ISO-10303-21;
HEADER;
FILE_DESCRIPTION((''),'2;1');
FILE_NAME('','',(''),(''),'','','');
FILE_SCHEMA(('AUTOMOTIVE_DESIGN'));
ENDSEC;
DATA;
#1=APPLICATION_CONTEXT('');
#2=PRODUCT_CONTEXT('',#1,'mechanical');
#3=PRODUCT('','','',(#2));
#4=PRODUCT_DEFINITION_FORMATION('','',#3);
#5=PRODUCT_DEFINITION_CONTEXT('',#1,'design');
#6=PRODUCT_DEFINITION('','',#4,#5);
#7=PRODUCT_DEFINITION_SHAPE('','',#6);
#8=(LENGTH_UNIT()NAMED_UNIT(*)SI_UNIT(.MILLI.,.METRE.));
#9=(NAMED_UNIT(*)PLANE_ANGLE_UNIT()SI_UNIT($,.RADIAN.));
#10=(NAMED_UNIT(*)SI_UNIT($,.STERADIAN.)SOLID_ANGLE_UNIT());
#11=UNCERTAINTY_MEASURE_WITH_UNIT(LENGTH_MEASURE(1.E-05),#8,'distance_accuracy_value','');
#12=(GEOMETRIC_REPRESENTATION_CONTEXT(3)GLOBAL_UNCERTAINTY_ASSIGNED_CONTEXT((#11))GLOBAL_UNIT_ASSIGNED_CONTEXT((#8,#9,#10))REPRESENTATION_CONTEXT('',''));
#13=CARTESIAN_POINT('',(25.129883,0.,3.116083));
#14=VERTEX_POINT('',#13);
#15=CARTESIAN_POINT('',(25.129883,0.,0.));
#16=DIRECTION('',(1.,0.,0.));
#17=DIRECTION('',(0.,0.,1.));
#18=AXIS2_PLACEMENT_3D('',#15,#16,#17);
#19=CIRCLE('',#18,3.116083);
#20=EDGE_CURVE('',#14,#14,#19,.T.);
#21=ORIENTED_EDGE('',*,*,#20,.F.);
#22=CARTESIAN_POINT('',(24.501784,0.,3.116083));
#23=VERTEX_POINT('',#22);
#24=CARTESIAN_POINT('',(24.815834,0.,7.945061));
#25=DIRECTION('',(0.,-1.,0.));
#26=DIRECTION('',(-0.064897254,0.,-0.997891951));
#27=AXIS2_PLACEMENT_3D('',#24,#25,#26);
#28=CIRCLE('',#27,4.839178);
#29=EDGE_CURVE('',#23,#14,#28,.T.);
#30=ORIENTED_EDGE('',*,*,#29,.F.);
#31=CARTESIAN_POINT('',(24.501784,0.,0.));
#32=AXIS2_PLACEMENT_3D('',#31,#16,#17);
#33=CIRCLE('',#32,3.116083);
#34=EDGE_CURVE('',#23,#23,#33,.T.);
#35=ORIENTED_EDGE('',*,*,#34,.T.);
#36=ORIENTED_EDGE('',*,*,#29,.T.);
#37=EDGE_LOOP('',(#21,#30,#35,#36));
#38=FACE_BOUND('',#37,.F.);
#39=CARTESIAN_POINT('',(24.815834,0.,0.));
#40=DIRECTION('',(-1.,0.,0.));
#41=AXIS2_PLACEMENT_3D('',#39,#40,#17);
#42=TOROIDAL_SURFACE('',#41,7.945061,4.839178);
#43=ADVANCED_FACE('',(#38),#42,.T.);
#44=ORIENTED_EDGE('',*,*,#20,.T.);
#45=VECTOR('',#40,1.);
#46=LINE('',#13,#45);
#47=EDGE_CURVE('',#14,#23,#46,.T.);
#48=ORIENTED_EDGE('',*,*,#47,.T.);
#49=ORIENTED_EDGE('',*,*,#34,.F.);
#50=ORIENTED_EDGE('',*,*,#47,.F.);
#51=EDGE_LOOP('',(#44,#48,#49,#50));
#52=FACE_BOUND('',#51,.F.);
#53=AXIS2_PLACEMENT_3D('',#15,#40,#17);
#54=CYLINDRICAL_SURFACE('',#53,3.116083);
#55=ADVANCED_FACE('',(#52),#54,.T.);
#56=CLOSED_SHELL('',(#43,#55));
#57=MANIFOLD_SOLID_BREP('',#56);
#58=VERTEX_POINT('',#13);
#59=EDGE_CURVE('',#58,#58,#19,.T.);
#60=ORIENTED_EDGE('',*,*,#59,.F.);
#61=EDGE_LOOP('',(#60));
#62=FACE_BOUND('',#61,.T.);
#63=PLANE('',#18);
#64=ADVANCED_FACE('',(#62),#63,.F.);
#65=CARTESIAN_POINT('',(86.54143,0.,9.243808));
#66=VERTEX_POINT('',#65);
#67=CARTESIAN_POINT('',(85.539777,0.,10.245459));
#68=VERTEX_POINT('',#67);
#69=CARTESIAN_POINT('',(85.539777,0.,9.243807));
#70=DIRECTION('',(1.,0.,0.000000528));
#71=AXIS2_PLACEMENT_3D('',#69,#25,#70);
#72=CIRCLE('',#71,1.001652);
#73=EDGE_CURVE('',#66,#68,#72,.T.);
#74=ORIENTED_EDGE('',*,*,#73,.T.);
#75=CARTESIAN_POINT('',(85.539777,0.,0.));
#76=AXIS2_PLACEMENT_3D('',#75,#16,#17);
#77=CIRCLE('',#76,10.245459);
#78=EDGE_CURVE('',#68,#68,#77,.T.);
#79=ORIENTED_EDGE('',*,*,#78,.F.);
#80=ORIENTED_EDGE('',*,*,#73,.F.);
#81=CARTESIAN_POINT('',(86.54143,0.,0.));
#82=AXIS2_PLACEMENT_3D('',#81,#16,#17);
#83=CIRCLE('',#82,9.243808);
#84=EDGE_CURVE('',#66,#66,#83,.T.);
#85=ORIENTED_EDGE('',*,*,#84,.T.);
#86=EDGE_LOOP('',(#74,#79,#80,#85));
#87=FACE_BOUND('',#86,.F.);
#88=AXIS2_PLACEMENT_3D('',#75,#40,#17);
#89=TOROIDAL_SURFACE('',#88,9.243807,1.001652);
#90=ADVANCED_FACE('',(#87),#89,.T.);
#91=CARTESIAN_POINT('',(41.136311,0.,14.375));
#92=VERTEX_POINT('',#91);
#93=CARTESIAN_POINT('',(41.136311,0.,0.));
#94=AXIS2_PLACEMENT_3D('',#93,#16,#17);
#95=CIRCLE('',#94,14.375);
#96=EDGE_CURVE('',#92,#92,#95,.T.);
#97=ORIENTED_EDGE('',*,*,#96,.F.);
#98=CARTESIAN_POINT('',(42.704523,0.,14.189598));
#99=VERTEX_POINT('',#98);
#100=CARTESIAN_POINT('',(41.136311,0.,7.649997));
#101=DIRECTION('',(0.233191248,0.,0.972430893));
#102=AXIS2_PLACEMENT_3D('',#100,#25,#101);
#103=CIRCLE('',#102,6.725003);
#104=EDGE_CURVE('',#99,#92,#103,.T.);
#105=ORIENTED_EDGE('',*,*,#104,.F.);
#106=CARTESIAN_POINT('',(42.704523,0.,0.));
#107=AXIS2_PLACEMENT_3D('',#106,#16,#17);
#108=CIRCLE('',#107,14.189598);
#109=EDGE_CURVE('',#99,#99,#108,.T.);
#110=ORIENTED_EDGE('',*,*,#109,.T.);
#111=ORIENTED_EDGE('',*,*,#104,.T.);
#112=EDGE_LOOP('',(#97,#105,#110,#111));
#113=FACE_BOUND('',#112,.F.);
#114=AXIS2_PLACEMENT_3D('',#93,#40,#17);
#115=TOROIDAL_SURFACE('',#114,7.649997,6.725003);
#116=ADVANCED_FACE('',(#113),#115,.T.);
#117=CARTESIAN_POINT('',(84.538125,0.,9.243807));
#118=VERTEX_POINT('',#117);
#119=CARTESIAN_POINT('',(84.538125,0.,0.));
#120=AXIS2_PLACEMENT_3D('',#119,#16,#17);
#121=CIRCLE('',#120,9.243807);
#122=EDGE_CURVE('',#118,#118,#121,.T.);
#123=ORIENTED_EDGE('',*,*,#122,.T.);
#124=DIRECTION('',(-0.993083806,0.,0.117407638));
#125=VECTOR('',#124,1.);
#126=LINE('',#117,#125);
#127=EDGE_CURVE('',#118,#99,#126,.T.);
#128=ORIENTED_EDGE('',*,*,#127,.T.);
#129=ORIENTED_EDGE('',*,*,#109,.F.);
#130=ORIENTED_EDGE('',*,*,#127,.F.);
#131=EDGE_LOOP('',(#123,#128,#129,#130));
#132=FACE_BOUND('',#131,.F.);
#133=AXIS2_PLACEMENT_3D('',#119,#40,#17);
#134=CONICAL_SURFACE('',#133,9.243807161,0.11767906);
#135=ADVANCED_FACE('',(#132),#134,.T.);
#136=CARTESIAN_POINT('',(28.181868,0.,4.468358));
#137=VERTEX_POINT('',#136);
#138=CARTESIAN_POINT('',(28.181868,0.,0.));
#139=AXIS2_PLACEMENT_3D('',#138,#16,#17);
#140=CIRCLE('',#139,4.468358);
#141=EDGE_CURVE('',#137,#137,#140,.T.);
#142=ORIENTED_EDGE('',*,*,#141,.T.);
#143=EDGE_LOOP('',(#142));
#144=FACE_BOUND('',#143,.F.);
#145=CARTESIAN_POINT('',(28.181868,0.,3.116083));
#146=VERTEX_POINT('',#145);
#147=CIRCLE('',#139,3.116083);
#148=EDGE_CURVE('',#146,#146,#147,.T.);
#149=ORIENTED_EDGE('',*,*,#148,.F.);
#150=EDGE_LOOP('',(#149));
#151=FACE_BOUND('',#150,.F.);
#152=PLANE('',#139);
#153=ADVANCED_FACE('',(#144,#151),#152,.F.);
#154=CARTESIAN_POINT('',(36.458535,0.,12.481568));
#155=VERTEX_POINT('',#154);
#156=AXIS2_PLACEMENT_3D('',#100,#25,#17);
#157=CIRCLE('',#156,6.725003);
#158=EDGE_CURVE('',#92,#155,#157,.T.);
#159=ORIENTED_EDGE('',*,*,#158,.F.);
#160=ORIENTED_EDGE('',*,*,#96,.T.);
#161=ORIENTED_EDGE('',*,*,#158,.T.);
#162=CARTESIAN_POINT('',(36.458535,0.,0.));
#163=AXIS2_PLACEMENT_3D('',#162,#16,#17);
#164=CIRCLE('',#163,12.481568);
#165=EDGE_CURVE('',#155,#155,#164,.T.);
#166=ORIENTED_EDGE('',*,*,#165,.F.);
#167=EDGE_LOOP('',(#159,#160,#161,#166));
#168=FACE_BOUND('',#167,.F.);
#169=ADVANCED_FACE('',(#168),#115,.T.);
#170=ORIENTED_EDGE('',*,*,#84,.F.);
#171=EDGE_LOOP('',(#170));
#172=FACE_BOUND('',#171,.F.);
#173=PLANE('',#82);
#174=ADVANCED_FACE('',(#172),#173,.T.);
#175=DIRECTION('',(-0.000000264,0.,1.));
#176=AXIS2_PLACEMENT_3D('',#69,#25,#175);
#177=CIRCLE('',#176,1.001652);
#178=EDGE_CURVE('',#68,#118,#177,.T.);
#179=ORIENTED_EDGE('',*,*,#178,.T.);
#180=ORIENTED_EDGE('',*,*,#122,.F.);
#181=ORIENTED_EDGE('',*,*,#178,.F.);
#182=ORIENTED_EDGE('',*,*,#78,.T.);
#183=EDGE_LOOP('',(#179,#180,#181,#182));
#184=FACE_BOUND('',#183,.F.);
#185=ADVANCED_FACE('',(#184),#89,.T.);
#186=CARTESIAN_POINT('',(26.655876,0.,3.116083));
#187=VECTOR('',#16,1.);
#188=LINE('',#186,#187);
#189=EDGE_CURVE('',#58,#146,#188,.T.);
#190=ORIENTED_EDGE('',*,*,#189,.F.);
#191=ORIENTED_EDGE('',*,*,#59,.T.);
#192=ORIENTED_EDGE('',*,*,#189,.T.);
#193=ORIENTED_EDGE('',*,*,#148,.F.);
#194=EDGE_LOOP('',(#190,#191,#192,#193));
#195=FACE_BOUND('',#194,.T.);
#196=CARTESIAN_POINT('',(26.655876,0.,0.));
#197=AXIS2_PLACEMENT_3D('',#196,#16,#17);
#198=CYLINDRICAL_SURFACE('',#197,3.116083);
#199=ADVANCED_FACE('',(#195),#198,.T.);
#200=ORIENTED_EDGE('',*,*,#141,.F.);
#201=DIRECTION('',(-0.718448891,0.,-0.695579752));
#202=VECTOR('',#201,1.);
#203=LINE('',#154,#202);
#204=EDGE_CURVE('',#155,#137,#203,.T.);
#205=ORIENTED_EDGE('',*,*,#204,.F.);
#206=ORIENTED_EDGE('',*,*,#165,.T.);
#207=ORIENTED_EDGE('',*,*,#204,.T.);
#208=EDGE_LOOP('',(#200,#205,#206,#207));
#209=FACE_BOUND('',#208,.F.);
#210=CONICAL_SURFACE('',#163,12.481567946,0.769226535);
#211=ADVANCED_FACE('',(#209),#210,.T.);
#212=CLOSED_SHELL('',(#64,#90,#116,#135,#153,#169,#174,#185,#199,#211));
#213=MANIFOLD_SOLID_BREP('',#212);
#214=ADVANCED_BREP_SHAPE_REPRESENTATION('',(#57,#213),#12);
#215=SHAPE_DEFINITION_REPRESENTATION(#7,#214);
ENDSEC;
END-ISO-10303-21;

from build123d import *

# Parameters (mm, degrees)
F0_W = 3.0519851859
F0_H = 3.1160832868


with BuildPart() as f1:
    # F0 (on Front) → F1 (revolve)
    with BuildSketch(Plane.XZ):
        with Locations((26.6558756613, 1.5580416434)):
            Rectangle(F0_W, F0_H)
        Polygon((28.1818682542, 4.468358137), (28.1818682542, 3.1160832868), (28.1818682542, 0), (36.4585348536, 0), (36.4585348536, 12.4815679463), align=None)
        with BuildLine():
            ThreePointArc((41.1363107719, 14.375), (38.6130850347, 13.8836955193), (36.4585348536, 12.4815679463))
            Line((36.4585348536, 12.4815679463), (36.4585348536, 0))
            Line((36.4585348536, 0), (41.1363107719, 0))
            Line((41.1363107719, 0), (41.1363107719, 14.375))
        make_face()
        with BuildLine():
            ThreePointArc((42.7045226152, 14.1895976732), (41.9258774898, 14.3284885773), (41.1363107719, 14.375))
            Line((41.1363107719, 14.375), (41.1363107719, 0))
            Line((41.1363107719, 0), (42.7045226152, 0))
            Line((42.7045226152, 0), (42.7045226152, 14.1895976732))
        make_face()
        Polygon((84.5381251835, 9.2438071611), (42.7045226152, 14.1895976732), (42.7045226152, 0), (84.5381251835, 0), align=None)
        with BuildLine():
            ThreePointArc((85.5397771354, 10.2454593775), (84.8315022318, 9.9520821423), (84.5381251835, 9.2438071611))
            Line((84.5381251835, 9.2438071611), (84.5381251835, 0))
            Line((84.5381251835, 0), (85.5397771354, 0))
            Line((85.5397771354, 0), (85.5397771354, 10.2454593775))
        make_face()
        with BuildLine():
            ThreePointArc((86.5414296163, 9.24380769), (86.248052194, 9.9520825162), (85.5397771354, 10.2454593775))
            Line((85.5397771354, 10.2454593775), (85.5397771354, 0))
            Line((85.5397771354, 0), (86.5414296163, 0))
            Line((86.5414296163, 0), (86.5414296163, 3.1160832868))
            Line((86.5414296163, 3.1160832868), (86.5414296163, 9.24380769))
        make_face()
    revolve(axis=Axis((43.2707148081, 0, 0), (1, 0, 0)))


with BuildPart() as f1b:
    # F0 (on Front) → F1, piece 2 (revolve)
    with BuildSketch(Plane.XZ):
        with BuildLine():
            Line((25.1298830684, 3.1160832868), (24.5017842785, 3.1160832868))
            ThreePointArc((24.5017842785, 3.1160832868), (24.8158336734, 3.1058820628), (25.1298830684, 3.1160832868))
        make_face()
    revolve(axis=Axis((43.2707148081, 0, 0), (1, 0, 0)))


solid = Compound([f1.part, f1b.part])
